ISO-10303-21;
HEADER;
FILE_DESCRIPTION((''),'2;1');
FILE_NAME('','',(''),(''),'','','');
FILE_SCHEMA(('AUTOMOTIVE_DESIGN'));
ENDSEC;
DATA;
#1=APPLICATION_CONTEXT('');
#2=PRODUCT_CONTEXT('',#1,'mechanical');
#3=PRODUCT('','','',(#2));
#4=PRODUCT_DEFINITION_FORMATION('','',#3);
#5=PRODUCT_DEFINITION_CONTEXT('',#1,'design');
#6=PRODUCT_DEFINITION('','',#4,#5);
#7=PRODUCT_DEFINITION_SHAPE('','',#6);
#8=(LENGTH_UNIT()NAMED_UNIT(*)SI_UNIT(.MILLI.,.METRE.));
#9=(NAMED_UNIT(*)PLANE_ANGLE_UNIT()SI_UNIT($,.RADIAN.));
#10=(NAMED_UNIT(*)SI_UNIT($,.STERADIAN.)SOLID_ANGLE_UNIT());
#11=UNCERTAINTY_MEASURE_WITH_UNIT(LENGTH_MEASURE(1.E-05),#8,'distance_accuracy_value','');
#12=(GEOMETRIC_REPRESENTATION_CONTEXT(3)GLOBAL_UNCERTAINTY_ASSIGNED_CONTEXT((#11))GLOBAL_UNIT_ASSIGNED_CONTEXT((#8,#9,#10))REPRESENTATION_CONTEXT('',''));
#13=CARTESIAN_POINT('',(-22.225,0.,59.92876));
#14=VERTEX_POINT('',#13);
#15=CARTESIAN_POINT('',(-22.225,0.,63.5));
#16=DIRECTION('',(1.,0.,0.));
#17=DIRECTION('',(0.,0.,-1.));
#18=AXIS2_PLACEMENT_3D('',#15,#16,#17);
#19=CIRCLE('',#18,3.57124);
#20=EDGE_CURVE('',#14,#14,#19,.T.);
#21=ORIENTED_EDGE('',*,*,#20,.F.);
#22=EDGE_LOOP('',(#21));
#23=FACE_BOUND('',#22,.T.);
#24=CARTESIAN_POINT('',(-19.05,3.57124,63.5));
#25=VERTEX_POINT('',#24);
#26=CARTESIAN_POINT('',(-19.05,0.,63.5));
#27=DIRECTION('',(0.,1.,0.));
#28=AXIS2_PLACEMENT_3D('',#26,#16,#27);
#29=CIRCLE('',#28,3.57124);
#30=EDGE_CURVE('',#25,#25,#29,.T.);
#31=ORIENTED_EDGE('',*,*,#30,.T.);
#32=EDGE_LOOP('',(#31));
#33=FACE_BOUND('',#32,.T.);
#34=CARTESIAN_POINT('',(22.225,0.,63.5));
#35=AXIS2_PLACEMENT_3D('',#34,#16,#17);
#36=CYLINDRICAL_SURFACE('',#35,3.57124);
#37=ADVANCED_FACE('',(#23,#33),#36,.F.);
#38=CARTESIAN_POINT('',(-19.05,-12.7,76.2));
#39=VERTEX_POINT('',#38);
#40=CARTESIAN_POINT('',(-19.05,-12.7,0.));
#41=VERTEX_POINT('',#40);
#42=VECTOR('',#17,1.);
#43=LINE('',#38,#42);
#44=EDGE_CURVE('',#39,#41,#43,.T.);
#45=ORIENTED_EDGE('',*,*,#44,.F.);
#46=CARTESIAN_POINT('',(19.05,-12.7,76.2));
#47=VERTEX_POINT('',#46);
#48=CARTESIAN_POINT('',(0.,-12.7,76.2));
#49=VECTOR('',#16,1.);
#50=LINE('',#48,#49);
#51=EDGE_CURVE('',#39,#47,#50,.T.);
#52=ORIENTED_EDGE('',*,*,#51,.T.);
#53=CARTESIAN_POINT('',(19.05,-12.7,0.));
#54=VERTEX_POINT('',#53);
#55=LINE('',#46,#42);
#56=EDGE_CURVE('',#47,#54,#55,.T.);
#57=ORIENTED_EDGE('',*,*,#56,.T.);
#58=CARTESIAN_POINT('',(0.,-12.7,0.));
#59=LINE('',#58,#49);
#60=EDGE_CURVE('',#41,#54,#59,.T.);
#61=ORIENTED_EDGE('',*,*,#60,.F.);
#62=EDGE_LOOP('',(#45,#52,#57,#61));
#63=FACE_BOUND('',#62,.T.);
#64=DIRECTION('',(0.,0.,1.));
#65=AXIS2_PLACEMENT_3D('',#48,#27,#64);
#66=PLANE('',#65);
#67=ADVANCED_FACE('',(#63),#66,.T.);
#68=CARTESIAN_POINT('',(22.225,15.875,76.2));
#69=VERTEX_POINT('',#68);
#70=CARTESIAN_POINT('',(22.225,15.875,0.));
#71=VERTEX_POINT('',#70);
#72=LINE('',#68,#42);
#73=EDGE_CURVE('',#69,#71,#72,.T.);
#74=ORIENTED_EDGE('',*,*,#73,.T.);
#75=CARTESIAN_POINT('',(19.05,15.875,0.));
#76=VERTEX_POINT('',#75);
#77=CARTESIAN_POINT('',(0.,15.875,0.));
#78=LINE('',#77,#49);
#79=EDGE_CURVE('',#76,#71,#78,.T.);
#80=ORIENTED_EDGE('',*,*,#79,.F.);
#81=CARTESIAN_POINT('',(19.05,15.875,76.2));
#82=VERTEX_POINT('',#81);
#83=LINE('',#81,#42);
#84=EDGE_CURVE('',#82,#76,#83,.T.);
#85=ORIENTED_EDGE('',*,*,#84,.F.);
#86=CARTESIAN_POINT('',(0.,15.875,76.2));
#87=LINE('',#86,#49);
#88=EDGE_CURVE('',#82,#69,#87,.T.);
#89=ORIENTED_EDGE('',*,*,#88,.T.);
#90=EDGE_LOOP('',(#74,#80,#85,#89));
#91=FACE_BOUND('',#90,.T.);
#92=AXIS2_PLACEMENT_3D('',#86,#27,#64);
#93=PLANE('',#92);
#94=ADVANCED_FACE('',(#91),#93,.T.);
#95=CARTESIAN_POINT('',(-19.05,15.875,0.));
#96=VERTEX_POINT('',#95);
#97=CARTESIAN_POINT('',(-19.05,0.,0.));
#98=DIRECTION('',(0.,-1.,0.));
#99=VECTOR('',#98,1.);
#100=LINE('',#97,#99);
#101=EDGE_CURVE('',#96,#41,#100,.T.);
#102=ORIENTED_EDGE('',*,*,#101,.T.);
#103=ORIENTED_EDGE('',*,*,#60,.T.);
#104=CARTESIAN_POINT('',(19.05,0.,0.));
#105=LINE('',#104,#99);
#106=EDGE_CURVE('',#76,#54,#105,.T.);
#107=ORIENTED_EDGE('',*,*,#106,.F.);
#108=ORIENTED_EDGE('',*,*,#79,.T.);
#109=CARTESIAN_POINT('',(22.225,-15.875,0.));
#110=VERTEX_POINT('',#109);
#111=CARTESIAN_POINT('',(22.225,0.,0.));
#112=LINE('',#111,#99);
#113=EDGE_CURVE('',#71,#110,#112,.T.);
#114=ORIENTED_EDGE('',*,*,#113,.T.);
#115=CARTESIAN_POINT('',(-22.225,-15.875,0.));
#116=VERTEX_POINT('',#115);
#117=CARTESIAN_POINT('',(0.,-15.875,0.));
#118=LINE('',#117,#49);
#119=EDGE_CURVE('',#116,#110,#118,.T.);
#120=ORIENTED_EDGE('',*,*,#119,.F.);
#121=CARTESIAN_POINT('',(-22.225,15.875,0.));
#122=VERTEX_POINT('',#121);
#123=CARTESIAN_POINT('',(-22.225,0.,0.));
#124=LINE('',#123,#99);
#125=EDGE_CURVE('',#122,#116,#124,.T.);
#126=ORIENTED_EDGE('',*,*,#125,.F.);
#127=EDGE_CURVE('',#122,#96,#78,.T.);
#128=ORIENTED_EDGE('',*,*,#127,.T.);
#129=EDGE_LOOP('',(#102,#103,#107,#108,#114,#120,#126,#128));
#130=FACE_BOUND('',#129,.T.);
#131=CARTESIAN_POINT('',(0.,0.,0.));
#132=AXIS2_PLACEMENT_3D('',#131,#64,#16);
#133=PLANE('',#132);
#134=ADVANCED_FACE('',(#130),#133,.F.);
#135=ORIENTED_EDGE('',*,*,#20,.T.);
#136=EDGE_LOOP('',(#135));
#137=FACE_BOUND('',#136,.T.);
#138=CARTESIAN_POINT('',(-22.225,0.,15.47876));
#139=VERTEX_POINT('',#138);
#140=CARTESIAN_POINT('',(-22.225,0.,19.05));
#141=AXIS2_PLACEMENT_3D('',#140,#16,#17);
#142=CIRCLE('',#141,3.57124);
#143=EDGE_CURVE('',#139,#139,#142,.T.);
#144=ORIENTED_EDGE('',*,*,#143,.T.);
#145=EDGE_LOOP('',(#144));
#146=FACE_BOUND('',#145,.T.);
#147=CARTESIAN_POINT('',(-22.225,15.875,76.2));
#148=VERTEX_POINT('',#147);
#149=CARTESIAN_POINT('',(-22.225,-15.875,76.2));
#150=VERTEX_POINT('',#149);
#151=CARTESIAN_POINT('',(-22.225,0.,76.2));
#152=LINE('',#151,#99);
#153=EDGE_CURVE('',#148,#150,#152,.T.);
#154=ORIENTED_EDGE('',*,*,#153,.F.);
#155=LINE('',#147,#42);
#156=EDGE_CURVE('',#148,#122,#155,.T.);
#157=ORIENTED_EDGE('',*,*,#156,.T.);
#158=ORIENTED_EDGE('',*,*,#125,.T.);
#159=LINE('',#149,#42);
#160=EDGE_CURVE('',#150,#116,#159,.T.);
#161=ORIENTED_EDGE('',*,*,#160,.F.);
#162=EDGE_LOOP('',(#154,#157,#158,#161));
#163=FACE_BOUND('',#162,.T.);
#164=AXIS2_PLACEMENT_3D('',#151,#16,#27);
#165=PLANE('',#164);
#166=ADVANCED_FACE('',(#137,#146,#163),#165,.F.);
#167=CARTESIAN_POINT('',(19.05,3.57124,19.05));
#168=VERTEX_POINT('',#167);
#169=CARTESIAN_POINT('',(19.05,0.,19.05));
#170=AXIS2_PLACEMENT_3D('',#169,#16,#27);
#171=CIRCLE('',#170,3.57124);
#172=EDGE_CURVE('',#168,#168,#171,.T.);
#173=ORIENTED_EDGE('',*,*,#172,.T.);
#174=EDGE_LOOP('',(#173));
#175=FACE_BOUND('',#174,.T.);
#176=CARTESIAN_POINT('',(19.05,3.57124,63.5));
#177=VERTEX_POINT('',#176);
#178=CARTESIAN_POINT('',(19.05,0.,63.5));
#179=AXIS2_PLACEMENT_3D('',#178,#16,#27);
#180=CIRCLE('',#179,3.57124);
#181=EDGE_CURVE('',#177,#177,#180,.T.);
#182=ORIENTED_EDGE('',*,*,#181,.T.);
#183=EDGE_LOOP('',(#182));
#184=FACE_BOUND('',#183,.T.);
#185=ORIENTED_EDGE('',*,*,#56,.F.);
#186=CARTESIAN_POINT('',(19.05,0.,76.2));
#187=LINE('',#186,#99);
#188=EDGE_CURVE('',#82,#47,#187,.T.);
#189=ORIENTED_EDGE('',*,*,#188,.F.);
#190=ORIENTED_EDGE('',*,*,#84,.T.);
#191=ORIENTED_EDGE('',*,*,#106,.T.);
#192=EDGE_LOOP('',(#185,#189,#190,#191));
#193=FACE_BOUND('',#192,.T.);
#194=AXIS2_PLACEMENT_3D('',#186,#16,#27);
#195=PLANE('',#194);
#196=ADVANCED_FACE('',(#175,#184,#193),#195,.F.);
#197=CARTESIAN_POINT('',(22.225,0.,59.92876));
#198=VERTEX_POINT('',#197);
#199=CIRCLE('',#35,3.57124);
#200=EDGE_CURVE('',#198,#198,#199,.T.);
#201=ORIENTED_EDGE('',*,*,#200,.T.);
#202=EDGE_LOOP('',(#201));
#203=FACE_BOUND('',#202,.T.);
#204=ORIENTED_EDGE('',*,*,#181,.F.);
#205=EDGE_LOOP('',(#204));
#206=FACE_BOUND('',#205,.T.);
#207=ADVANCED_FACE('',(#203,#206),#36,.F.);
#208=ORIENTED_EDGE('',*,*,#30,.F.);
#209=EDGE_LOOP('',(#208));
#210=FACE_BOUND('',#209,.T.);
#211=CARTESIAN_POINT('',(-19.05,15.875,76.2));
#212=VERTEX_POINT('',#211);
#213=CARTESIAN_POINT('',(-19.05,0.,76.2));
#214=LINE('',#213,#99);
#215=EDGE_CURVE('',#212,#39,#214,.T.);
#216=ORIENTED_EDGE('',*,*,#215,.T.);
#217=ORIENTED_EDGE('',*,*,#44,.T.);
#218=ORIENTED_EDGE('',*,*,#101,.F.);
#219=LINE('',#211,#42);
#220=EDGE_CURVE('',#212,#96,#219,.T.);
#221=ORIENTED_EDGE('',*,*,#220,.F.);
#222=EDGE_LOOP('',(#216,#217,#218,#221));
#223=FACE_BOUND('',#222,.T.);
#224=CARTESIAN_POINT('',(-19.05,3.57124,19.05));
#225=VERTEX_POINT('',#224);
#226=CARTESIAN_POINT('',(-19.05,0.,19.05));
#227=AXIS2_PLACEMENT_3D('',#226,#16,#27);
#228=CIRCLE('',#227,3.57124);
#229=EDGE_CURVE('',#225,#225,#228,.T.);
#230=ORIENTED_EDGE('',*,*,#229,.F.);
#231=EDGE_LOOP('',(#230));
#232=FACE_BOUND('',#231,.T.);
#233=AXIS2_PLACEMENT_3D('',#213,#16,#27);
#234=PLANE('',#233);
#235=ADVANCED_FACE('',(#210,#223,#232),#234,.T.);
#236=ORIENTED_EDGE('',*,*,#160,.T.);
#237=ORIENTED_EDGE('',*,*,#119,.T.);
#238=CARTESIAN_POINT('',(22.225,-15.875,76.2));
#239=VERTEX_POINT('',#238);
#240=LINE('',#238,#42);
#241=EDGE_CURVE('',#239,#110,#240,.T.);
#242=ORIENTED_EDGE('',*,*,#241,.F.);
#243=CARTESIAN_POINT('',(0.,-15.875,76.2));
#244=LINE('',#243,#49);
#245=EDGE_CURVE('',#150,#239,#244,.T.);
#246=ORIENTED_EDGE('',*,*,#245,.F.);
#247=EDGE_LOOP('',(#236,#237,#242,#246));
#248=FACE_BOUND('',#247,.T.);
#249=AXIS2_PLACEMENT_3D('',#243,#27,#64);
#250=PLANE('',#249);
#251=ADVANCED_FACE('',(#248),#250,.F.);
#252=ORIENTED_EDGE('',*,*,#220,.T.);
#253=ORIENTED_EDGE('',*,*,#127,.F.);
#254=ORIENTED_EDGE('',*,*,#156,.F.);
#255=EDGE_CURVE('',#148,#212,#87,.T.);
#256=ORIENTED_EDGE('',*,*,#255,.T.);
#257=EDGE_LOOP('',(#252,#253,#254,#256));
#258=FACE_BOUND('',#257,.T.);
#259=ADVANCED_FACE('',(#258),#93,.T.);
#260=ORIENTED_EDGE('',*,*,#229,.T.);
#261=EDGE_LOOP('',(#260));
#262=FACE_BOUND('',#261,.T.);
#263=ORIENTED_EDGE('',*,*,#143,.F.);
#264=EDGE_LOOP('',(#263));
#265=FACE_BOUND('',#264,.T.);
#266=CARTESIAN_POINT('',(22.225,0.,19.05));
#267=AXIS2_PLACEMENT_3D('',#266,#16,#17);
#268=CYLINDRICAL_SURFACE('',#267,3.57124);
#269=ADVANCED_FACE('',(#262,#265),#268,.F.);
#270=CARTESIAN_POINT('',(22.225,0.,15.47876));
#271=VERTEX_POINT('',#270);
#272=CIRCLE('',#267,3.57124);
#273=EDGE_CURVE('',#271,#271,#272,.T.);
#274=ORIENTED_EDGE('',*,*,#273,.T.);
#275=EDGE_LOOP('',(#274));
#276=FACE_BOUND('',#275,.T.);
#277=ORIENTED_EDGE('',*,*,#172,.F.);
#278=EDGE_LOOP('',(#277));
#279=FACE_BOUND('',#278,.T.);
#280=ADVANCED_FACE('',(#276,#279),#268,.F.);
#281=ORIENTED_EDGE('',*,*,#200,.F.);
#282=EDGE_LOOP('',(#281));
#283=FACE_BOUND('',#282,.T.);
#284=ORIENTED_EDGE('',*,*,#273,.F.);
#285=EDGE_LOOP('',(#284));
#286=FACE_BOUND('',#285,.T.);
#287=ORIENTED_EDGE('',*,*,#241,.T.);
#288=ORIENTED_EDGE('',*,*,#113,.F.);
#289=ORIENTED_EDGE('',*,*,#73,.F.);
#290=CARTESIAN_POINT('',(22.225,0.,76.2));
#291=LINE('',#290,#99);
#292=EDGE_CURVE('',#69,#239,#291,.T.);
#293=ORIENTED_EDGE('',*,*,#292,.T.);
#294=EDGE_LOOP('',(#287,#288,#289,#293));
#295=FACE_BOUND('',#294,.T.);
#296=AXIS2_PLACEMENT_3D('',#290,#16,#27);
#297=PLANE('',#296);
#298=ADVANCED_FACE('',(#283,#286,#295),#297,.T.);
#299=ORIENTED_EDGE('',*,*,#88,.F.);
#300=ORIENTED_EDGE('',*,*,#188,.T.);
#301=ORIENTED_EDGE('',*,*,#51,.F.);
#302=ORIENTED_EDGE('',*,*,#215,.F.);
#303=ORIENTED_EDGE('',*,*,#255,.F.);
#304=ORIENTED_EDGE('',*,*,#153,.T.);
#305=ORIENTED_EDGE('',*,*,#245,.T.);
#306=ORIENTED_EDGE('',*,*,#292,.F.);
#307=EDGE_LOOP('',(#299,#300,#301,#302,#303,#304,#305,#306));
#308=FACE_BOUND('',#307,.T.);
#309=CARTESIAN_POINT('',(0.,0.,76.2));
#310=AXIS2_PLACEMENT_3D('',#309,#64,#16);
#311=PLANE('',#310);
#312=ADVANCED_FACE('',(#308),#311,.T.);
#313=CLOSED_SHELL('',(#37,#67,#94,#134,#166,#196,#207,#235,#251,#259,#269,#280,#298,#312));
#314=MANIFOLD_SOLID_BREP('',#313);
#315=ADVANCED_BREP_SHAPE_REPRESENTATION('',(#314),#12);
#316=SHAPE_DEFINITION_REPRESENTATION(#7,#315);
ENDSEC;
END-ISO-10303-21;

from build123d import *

# Parameters (mm, degrees)
BOSS_EXTRUDE1_DEPTH     = 76.2
F_1_4_CLEARANCE_HOLE1_D = 7.14248


with BuildPart() as part:
    # Sketch2 → Boss-Extrude1 (new body)
    with BuildSketch(Plane.XY):
        Polygon((-19.05, 15.875), (-22.225, 15.875), (-22.225, -15.875), (22.225, -15.875), (22.225, 15.875), (19.05, 15.875), (19.05, -12.7), (-19.05, -12.7), align=None)
    extrude(amount=BOSS_EXTRUDE1_DEPTH)

    # 1/4 Clearance Hole1 (through all)
    with Locations(Plane(origin=(22.225, 0, 0), x_dir=(0, 0, -1), z_dir=(1, 0, 0))):
        with Locations((-19.05, 0), (-63.5, 0)):
            Hole(F_1_4_CLEARANCE_HOLE1_D / 2)


solid = part.part
